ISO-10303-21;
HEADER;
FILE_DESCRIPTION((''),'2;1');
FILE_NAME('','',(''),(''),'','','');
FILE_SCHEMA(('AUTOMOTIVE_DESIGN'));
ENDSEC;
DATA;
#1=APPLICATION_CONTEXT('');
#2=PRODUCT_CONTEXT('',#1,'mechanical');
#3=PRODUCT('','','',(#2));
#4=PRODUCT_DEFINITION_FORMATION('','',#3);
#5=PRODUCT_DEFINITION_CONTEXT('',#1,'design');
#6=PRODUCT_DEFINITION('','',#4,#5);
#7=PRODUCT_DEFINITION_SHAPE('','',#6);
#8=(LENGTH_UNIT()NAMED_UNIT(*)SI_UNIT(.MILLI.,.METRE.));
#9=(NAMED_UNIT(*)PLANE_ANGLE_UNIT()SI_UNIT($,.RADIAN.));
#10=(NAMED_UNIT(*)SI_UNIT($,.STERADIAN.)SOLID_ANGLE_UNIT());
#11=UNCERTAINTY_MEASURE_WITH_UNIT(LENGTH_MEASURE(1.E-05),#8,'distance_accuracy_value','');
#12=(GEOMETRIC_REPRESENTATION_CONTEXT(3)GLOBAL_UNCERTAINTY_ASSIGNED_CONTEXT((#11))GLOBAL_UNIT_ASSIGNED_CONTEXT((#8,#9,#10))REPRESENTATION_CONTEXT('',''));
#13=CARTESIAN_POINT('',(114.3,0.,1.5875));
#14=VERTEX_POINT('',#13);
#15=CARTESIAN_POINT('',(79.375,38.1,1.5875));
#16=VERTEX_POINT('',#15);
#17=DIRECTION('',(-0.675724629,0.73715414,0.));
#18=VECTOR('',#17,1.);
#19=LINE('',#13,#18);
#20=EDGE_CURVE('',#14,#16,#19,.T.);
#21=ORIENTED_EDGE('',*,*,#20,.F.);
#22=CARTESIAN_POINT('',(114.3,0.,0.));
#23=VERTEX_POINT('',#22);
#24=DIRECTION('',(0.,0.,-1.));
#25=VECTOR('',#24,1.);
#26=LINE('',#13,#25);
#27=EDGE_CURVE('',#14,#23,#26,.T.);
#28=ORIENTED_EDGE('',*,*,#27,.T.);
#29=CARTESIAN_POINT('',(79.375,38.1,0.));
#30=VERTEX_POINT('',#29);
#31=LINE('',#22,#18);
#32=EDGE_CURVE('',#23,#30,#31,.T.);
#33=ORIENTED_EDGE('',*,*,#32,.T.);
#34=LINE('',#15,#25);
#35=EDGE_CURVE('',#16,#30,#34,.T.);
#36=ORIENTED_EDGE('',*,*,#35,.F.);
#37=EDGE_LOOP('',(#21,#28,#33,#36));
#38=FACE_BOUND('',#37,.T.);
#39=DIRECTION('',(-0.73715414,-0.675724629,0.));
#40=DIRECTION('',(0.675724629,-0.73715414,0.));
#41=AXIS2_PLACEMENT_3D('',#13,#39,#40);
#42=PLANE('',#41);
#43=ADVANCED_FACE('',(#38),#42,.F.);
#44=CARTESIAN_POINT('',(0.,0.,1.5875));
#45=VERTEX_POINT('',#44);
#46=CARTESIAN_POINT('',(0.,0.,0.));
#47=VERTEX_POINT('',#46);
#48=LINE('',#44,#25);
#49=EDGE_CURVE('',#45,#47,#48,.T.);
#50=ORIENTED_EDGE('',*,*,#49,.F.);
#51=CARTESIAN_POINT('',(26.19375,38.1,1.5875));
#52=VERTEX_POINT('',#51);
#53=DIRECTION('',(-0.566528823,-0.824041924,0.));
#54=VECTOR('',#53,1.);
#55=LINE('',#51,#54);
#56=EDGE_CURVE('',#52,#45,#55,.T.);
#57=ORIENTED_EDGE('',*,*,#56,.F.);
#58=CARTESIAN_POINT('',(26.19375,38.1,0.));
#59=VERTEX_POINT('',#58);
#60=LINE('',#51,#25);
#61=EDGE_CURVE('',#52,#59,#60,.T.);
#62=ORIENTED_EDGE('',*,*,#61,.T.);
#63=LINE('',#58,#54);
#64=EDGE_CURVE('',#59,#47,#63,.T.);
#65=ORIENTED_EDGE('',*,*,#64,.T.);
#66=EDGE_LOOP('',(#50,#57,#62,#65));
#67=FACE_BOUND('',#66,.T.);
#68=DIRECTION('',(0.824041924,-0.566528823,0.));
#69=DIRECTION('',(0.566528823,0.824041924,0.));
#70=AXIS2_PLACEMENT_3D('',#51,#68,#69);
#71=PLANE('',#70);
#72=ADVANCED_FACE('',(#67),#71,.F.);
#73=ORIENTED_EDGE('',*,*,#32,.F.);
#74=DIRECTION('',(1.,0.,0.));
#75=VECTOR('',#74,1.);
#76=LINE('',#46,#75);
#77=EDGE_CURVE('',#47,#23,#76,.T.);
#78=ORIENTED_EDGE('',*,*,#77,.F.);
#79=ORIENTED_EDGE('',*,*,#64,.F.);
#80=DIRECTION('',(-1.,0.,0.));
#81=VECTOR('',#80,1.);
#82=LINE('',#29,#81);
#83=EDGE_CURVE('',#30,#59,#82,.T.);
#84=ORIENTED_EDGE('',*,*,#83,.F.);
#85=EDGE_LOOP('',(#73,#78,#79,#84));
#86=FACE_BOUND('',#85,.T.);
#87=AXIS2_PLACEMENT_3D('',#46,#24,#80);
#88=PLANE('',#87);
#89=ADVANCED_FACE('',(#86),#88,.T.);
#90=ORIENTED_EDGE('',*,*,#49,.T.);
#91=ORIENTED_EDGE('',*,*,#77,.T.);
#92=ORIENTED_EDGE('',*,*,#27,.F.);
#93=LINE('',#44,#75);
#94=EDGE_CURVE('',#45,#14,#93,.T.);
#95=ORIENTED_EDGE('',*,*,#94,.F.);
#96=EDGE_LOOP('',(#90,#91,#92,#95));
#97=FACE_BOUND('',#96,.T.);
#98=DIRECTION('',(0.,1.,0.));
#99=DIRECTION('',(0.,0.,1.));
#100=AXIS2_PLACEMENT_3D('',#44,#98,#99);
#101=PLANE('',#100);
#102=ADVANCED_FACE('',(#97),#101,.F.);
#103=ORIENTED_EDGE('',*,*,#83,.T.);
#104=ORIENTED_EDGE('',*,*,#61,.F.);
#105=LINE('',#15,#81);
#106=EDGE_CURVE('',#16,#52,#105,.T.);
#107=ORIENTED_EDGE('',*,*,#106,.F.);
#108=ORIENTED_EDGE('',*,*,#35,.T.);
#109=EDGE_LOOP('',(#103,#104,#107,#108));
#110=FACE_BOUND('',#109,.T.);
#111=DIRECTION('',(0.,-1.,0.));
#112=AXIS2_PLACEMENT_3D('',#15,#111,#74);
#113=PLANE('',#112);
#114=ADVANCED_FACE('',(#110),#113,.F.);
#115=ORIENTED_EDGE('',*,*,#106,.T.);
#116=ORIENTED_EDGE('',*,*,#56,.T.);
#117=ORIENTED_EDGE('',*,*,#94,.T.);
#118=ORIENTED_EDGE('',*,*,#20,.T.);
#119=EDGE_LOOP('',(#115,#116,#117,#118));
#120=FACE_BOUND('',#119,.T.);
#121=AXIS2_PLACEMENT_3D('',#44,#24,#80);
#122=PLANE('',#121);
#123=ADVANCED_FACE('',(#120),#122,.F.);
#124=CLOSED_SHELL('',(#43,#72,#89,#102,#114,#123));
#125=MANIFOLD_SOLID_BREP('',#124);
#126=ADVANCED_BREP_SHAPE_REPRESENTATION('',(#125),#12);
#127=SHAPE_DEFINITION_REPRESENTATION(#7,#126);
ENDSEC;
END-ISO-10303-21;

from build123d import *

# Parameters (mm, degrees)
BOSS_EXTRUDE1_DEPTH = 1.5875


with BuildPart() as part:
    # Sketch2 → Boss-Extrude1 (new body)
    with BuildSketch(Plane.XY):
        Polygon((0, 0), (114.3, 0), (79.375, 38.1), (26.19375, 38.1), align=None)
    extrude(amount=BOSS_EXTRUDE1_DEPTH)


solid = part.part
